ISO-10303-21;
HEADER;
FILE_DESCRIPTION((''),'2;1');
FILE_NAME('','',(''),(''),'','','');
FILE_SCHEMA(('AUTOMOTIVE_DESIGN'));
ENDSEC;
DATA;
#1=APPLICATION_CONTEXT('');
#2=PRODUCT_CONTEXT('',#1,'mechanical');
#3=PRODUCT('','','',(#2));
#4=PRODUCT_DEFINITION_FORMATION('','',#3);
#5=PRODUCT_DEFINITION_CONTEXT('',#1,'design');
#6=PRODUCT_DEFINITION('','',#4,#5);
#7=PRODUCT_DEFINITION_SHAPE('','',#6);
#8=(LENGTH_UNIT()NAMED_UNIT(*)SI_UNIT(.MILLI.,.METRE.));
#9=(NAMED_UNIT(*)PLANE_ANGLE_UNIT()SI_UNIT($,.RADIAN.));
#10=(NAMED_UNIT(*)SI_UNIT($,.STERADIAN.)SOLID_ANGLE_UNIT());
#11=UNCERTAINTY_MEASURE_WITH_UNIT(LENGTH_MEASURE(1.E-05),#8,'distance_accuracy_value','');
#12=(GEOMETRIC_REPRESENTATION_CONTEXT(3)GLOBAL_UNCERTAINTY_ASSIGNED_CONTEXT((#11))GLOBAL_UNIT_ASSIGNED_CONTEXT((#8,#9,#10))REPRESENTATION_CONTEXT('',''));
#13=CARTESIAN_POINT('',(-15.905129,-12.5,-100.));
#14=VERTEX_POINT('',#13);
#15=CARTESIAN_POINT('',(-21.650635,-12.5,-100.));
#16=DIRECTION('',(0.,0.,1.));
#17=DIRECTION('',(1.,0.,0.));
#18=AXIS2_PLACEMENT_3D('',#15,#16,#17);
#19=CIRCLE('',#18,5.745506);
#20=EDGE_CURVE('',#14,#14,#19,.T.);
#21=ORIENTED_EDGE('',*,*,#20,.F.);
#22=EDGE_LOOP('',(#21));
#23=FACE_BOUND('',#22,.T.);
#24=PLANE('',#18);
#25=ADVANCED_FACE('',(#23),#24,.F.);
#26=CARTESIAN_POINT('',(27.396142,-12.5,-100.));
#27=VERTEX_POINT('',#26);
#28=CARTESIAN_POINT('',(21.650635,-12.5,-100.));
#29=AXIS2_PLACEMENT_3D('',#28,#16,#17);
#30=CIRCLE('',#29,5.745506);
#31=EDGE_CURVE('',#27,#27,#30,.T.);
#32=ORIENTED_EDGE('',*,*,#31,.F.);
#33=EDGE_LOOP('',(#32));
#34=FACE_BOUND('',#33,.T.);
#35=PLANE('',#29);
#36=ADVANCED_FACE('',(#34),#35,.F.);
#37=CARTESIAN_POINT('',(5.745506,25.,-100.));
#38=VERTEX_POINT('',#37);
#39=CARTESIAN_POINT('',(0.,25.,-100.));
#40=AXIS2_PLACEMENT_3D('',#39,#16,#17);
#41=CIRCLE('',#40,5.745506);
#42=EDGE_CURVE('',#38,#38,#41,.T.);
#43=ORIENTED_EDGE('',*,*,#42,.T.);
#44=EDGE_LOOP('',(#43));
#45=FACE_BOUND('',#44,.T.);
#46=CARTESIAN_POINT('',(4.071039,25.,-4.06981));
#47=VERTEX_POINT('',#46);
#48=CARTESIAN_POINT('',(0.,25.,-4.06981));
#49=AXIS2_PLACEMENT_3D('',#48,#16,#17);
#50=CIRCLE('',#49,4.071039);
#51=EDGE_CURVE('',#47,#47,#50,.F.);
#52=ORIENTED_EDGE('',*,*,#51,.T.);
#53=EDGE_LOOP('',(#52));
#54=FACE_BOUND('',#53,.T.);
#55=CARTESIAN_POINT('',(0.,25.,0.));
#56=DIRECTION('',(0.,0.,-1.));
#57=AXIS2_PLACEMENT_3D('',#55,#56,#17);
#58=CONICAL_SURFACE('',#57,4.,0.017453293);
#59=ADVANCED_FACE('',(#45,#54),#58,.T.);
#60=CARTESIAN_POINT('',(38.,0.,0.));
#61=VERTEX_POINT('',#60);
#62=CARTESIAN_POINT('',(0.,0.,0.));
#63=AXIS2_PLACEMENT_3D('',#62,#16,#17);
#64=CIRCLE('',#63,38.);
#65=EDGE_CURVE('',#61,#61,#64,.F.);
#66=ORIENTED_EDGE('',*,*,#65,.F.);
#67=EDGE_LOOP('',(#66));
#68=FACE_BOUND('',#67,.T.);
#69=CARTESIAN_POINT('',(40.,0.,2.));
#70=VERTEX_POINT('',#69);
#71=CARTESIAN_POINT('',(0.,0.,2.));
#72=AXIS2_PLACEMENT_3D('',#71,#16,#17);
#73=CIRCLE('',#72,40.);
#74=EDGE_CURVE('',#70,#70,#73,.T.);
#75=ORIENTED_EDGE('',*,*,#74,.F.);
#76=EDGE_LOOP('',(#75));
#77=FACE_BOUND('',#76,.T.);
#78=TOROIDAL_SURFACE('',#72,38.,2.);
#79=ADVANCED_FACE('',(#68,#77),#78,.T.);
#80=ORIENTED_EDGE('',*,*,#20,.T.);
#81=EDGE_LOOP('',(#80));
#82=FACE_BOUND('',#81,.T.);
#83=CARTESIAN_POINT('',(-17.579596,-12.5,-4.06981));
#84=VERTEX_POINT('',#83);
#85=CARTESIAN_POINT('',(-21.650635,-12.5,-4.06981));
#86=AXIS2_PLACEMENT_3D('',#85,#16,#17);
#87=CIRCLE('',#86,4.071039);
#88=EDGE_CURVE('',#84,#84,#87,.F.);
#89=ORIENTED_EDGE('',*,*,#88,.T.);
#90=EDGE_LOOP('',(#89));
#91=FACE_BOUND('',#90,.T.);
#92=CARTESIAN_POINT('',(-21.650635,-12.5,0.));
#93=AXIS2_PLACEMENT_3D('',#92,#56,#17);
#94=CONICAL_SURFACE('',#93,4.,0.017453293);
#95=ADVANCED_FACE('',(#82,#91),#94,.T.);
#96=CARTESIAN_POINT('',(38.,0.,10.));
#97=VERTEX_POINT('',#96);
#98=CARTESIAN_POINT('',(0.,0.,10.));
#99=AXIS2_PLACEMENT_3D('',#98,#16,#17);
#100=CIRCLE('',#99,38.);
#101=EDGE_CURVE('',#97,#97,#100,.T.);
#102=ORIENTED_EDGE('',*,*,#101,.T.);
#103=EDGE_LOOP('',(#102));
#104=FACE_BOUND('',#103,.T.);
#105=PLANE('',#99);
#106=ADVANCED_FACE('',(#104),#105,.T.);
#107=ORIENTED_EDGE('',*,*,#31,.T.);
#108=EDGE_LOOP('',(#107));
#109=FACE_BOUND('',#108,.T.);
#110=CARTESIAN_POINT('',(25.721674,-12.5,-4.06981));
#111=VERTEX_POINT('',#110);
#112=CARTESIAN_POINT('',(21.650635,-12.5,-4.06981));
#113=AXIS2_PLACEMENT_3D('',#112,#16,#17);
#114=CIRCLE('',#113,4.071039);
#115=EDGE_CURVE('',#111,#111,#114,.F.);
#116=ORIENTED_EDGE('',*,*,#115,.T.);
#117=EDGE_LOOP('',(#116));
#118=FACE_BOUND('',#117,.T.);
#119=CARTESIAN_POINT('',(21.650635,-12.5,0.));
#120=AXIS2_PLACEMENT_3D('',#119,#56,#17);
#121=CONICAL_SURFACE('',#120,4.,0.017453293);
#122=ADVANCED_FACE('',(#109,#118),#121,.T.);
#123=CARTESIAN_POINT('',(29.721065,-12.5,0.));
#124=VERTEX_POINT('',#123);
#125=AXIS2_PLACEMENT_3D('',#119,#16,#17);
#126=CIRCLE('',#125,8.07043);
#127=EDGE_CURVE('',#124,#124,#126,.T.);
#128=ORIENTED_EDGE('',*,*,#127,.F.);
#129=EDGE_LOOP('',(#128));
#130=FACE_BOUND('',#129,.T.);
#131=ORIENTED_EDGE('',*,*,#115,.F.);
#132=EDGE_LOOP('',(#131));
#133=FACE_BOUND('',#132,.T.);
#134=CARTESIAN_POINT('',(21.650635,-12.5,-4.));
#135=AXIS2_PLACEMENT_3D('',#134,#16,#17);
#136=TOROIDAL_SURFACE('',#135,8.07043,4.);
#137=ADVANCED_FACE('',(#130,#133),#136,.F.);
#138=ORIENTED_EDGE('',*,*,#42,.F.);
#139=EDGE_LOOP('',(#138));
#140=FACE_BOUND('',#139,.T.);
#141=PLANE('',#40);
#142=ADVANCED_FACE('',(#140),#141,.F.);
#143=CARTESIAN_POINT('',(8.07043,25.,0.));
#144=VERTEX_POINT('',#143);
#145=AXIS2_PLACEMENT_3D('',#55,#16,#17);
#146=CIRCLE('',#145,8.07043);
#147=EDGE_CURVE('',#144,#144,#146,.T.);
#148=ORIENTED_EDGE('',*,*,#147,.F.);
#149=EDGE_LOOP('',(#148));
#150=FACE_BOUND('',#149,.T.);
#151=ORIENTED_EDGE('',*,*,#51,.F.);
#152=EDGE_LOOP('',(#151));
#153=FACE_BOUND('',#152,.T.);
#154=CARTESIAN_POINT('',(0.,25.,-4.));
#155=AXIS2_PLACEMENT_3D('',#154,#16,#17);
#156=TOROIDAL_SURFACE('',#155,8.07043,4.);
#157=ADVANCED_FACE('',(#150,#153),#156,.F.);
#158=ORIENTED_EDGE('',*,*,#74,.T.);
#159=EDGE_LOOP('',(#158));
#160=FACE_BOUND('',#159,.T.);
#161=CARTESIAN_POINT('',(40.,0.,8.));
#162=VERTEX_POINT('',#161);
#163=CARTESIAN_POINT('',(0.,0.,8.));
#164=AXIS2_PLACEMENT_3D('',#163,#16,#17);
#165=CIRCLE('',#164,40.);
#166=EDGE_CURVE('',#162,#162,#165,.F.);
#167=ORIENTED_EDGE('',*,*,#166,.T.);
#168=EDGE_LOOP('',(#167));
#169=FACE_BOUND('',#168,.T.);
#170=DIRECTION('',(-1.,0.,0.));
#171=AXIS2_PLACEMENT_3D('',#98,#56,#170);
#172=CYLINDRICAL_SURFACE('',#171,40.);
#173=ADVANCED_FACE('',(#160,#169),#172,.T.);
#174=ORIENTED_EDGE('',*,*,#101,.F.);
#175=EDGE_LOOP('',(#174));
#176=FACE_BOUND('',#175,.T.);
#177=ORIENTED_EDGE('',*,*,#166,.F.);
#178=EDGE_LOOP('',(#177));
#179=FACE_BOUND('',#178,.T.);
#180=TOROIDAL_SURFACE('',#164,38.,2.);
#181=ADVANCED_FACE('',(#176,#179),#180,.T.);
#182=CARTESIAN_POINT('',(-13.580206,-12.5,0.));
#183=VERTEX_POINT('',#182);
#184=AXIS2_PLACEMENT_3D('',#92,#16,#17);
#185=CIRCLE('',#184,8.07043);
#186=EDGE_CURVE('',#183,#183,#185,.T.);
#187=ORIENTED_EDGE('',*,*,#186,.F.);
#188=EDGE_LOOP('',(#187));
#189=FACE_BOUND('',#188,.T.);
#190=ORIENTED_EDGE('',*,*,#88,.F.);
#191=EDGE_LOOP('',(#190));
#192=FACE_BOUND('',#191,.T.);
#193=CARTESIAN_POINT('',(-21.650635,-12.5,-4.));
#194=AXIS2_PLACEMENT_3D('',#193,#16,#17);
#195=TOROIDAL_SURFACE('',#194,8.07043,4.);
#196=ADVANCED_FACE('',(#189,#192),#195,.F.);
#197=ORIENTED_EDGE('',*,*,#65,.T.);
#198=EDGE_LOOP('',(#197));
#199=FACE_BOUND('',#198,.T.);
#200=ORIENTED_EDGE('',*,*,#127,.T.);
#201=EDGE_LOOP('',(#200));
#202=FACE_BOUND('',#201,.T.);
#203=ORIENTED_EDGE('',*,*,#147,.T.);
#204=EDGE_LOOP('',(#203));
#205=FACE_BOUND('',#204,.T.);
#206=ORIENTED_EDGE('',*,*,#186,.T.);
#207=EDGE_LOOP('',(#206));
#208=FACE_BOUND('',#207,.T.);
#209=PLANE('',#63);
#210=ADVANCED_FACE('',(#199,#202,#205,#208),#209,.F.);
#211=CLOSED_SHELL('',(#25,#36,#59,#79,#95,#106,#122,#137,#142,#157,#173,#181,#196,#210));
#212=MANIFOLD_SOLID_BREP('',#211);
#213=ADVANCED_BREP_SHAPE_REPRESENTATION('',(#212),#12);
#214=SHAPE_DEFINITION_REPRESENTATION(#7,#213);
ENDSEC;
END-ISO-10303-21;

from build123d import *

# Parameters (mm, degrees)
SKETCH1_R                     = 40
BOSS_EXTRUDE1_DEPTH           = 10
SKETCH2_R                     = 4
BOSS_EXTRUDE2_DEPTH           = 100
BOSS_EXTRUDE2_DRAFT           = 1
BOSS_EXTRUDE2_PROFILE_2_DEPTH = 100
BOSS_EXTRUDE2_PROFILE_2_DRAFT = 1
BOSS_EXTRUDE2_PROFILE_3_DEPTH = 100
BOSS_EXTRUDE2_PROFILE_3_DRAFT = 1
FILLET1_R                     = 2
FILLET2_R                     = 2
FILLET3_R                     = 4


with BuildPart() as part:
    # Sketch1 → Boss-Extrude1 (new body)
    with BuildSketch(Plane.XY):
        Circle(SKETCH1_R)
    extrude(amount=BOSS_EXTRUDE1_DEPTH)


with BuildPart() as boss_extrude2_tool:
    # Sketch2 → Boss-Extrude2 (with draft: the straight prism first)
    with BuildSketch(Plane.XY):
        with Locations((0, 25)):
            Circle(SKETCH2_R)
    extrude(amount=-BOSS_EXTRUDE2_DEPTH)
    # Boss-Extrude2: the draft: its side faces are tilted about the plane it starts from
    boss_extrude2_sides = [boss_extrude2_tool.faces().sort_by_distance(p)[0] for p in [
        (-4, 25, -50),
    ]]
    draft(boss_extrude2_sides, Plane.XY, BOSS_EXTRUDE2_DRAFT)


with BuildPart() as part_1:
    add(part.part)

    # Boss-Extrude2: add boss_extrude2_tool
    add(boss_extrude2_tool.part)


with BuildPart() as boss_extrude2_profile_2_tool:
    # Sketch2 → Boss-Extrude2 profile 2 (with draft: the straight prism first)
    with BuildSketch(Plane.XY):
        with Locations((21.650635095, -12.5)):
            Circle(SKETCH2_R)
    extrude(amount=-BOSS_EXTRUDE2_PROFILE_2_DEPTH)
    # Boss-Extrude2 profile 2: the draft: its side faces are tilted about the plane it starts from
    boss_extrude2_profile_2_sides = [boss_extrude2_profile_2_tool.faces().sort_by_distance(p)[0] for p in [
        (17.650635095, -12.5, -50),
    ]]
    draft(boss_extrude2_profile_2_sides, Plane.XY, BOSS_EXTRUDE2_PROFILE_2_DRAFT)


with BuildPart() as part_2:
    add(part_1.part)

    # Boss-Extrude2 profile 2: add boss_extrude2_profile_2_tool
    add(boss_extrude2_profile_2_tool.part)


with BuildPart() as boss_extrude2_profile_3_tool:
    # Sketch2 → Boss-Extrude2 profile 3 (with draft: the straight prism first)
    with BuildSketch(Plane.XY):
        with Locations((-21.650635095, -12.5)):
            Circle(SKETCH2_R)
    extrude(amount=-BOSS_EXTRUDE2_PROFILE_3_DEPTH)
    # Boss-Extrude2 profile 3: the draft: its side faces are tilted about the plane it starts from
    boss_extrude2_profile_3_sides = [boss_extrude2_profile_3_tool.faces().sort_by_distance(p)[0] for p in [
        (-25.650635095, -12.5, -50),
    ]]
    draft(boss_extrude2_profile_3_sides, Plane.XY, BOSS_EXTRUDE2_PROFILE_3_DRAFT)


with BuildPart() as part_3:
    add(part_2.part)

    # Boss-Extrude2 profile 3: add boss_extrude2_profile_3_tool
    add(boss_extrude2_profile_3_tool.part)

    # Fillet1
    fillet1_edges = [part_3.edges().sort_by_distance(p)[0] for p in [
        (-40, 0, 10),
    ]]
    fillet(fillet1_edges, radius=FILLET1_R)

    # Fillet2
    fillet2_edges = [part_3.edges().sort_by_distance(p)[0] for p in [
        (-40, 0, 0),
    ]]
    fillet(fillet2_edges, radius=FILLET2_R)

    # Fillet3
    fillet3_edges = [part_3.edges().sort_by_distance(p)[0] for p in [
        (-25.650635095, -12.5, 0),
        (-4, 25, 0),
        (17.650635095, -12.5, 0),
    ]]
    fillet(fillet3_edges, radius=FILLET3_R)


solid = part_3.part
